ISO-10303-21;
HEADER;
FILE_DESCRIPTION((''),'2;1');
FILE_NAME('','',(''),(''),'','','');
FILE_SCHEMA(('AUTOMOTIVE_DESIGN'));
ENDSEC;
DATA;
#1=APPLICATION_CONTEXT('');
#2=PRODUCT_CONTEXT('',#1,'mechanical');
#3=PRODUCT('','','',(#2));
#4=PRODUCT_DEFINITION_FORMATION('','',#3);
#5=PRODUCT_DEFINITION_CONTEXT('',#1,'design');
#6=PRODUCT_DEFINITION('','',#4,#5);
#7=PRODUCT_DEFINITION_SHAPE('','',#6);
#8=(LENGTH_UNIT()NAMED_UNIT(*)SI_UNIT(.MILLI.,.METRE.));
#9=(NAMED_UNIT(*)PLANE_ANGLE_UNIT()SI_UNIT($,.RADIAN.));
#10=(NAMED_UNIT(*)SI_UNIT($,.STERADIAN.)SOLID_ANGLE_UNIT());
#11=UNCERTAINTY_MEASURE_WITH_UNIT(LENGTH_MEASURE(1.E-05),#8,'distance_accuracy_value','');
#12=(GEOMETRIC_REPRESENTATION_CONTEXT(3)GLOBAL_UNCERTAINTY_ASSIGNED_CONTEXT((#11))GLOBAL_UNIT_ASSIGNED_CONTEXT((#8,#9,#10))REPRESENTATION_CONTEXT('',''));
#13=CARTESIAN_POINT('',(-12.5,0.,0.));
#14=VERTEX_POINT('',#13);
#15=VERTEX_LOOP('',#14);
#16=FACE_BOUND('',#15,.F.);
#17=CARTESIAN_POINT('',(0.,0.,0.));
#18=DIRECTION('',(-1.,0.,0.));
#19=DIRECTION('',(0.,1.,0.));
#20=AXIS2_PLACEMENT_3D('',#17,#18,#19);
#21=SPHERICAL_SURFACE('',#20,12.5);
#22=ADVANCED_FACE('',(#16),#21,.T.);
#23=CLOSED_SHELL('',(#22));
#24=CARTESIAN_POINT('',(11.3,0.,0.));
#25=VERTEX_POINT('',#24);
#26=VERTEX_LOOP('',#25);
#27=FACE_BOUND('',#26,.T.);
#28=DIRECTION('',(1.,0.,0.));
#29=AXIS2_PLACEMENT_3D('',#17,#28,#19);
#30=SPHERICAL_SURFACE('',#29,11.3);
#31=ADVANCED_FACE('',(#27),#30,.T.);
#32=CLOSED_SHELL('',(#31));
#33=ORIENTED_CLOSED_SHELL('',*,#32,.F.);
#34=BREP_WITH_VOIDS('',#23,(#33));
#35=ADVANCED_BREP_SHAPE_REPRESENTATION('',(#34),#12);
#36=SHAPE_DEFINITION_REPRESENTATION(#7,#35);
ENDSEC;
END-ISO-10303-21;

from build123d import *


with BuildPart() as f1:
    # F0 (on Top) → F1 (revolve)
    with BuildSketch(Plane.XY):
        with BuildLine():
            Line((11.3, 0), (12.5, 0))
            ThreePointArc((12.5, 0), (0, 12.5), (-12.5, 0))
            Line((-12.5, 0), (-11.3, 0))
            ThreePointArc((-11.3, 0), (0, 11.3), (11.3, 0))
        make_face()
    revolve(axis=Axis((0, 0, 0), (1, 0, 0)))


solid = f1.part
